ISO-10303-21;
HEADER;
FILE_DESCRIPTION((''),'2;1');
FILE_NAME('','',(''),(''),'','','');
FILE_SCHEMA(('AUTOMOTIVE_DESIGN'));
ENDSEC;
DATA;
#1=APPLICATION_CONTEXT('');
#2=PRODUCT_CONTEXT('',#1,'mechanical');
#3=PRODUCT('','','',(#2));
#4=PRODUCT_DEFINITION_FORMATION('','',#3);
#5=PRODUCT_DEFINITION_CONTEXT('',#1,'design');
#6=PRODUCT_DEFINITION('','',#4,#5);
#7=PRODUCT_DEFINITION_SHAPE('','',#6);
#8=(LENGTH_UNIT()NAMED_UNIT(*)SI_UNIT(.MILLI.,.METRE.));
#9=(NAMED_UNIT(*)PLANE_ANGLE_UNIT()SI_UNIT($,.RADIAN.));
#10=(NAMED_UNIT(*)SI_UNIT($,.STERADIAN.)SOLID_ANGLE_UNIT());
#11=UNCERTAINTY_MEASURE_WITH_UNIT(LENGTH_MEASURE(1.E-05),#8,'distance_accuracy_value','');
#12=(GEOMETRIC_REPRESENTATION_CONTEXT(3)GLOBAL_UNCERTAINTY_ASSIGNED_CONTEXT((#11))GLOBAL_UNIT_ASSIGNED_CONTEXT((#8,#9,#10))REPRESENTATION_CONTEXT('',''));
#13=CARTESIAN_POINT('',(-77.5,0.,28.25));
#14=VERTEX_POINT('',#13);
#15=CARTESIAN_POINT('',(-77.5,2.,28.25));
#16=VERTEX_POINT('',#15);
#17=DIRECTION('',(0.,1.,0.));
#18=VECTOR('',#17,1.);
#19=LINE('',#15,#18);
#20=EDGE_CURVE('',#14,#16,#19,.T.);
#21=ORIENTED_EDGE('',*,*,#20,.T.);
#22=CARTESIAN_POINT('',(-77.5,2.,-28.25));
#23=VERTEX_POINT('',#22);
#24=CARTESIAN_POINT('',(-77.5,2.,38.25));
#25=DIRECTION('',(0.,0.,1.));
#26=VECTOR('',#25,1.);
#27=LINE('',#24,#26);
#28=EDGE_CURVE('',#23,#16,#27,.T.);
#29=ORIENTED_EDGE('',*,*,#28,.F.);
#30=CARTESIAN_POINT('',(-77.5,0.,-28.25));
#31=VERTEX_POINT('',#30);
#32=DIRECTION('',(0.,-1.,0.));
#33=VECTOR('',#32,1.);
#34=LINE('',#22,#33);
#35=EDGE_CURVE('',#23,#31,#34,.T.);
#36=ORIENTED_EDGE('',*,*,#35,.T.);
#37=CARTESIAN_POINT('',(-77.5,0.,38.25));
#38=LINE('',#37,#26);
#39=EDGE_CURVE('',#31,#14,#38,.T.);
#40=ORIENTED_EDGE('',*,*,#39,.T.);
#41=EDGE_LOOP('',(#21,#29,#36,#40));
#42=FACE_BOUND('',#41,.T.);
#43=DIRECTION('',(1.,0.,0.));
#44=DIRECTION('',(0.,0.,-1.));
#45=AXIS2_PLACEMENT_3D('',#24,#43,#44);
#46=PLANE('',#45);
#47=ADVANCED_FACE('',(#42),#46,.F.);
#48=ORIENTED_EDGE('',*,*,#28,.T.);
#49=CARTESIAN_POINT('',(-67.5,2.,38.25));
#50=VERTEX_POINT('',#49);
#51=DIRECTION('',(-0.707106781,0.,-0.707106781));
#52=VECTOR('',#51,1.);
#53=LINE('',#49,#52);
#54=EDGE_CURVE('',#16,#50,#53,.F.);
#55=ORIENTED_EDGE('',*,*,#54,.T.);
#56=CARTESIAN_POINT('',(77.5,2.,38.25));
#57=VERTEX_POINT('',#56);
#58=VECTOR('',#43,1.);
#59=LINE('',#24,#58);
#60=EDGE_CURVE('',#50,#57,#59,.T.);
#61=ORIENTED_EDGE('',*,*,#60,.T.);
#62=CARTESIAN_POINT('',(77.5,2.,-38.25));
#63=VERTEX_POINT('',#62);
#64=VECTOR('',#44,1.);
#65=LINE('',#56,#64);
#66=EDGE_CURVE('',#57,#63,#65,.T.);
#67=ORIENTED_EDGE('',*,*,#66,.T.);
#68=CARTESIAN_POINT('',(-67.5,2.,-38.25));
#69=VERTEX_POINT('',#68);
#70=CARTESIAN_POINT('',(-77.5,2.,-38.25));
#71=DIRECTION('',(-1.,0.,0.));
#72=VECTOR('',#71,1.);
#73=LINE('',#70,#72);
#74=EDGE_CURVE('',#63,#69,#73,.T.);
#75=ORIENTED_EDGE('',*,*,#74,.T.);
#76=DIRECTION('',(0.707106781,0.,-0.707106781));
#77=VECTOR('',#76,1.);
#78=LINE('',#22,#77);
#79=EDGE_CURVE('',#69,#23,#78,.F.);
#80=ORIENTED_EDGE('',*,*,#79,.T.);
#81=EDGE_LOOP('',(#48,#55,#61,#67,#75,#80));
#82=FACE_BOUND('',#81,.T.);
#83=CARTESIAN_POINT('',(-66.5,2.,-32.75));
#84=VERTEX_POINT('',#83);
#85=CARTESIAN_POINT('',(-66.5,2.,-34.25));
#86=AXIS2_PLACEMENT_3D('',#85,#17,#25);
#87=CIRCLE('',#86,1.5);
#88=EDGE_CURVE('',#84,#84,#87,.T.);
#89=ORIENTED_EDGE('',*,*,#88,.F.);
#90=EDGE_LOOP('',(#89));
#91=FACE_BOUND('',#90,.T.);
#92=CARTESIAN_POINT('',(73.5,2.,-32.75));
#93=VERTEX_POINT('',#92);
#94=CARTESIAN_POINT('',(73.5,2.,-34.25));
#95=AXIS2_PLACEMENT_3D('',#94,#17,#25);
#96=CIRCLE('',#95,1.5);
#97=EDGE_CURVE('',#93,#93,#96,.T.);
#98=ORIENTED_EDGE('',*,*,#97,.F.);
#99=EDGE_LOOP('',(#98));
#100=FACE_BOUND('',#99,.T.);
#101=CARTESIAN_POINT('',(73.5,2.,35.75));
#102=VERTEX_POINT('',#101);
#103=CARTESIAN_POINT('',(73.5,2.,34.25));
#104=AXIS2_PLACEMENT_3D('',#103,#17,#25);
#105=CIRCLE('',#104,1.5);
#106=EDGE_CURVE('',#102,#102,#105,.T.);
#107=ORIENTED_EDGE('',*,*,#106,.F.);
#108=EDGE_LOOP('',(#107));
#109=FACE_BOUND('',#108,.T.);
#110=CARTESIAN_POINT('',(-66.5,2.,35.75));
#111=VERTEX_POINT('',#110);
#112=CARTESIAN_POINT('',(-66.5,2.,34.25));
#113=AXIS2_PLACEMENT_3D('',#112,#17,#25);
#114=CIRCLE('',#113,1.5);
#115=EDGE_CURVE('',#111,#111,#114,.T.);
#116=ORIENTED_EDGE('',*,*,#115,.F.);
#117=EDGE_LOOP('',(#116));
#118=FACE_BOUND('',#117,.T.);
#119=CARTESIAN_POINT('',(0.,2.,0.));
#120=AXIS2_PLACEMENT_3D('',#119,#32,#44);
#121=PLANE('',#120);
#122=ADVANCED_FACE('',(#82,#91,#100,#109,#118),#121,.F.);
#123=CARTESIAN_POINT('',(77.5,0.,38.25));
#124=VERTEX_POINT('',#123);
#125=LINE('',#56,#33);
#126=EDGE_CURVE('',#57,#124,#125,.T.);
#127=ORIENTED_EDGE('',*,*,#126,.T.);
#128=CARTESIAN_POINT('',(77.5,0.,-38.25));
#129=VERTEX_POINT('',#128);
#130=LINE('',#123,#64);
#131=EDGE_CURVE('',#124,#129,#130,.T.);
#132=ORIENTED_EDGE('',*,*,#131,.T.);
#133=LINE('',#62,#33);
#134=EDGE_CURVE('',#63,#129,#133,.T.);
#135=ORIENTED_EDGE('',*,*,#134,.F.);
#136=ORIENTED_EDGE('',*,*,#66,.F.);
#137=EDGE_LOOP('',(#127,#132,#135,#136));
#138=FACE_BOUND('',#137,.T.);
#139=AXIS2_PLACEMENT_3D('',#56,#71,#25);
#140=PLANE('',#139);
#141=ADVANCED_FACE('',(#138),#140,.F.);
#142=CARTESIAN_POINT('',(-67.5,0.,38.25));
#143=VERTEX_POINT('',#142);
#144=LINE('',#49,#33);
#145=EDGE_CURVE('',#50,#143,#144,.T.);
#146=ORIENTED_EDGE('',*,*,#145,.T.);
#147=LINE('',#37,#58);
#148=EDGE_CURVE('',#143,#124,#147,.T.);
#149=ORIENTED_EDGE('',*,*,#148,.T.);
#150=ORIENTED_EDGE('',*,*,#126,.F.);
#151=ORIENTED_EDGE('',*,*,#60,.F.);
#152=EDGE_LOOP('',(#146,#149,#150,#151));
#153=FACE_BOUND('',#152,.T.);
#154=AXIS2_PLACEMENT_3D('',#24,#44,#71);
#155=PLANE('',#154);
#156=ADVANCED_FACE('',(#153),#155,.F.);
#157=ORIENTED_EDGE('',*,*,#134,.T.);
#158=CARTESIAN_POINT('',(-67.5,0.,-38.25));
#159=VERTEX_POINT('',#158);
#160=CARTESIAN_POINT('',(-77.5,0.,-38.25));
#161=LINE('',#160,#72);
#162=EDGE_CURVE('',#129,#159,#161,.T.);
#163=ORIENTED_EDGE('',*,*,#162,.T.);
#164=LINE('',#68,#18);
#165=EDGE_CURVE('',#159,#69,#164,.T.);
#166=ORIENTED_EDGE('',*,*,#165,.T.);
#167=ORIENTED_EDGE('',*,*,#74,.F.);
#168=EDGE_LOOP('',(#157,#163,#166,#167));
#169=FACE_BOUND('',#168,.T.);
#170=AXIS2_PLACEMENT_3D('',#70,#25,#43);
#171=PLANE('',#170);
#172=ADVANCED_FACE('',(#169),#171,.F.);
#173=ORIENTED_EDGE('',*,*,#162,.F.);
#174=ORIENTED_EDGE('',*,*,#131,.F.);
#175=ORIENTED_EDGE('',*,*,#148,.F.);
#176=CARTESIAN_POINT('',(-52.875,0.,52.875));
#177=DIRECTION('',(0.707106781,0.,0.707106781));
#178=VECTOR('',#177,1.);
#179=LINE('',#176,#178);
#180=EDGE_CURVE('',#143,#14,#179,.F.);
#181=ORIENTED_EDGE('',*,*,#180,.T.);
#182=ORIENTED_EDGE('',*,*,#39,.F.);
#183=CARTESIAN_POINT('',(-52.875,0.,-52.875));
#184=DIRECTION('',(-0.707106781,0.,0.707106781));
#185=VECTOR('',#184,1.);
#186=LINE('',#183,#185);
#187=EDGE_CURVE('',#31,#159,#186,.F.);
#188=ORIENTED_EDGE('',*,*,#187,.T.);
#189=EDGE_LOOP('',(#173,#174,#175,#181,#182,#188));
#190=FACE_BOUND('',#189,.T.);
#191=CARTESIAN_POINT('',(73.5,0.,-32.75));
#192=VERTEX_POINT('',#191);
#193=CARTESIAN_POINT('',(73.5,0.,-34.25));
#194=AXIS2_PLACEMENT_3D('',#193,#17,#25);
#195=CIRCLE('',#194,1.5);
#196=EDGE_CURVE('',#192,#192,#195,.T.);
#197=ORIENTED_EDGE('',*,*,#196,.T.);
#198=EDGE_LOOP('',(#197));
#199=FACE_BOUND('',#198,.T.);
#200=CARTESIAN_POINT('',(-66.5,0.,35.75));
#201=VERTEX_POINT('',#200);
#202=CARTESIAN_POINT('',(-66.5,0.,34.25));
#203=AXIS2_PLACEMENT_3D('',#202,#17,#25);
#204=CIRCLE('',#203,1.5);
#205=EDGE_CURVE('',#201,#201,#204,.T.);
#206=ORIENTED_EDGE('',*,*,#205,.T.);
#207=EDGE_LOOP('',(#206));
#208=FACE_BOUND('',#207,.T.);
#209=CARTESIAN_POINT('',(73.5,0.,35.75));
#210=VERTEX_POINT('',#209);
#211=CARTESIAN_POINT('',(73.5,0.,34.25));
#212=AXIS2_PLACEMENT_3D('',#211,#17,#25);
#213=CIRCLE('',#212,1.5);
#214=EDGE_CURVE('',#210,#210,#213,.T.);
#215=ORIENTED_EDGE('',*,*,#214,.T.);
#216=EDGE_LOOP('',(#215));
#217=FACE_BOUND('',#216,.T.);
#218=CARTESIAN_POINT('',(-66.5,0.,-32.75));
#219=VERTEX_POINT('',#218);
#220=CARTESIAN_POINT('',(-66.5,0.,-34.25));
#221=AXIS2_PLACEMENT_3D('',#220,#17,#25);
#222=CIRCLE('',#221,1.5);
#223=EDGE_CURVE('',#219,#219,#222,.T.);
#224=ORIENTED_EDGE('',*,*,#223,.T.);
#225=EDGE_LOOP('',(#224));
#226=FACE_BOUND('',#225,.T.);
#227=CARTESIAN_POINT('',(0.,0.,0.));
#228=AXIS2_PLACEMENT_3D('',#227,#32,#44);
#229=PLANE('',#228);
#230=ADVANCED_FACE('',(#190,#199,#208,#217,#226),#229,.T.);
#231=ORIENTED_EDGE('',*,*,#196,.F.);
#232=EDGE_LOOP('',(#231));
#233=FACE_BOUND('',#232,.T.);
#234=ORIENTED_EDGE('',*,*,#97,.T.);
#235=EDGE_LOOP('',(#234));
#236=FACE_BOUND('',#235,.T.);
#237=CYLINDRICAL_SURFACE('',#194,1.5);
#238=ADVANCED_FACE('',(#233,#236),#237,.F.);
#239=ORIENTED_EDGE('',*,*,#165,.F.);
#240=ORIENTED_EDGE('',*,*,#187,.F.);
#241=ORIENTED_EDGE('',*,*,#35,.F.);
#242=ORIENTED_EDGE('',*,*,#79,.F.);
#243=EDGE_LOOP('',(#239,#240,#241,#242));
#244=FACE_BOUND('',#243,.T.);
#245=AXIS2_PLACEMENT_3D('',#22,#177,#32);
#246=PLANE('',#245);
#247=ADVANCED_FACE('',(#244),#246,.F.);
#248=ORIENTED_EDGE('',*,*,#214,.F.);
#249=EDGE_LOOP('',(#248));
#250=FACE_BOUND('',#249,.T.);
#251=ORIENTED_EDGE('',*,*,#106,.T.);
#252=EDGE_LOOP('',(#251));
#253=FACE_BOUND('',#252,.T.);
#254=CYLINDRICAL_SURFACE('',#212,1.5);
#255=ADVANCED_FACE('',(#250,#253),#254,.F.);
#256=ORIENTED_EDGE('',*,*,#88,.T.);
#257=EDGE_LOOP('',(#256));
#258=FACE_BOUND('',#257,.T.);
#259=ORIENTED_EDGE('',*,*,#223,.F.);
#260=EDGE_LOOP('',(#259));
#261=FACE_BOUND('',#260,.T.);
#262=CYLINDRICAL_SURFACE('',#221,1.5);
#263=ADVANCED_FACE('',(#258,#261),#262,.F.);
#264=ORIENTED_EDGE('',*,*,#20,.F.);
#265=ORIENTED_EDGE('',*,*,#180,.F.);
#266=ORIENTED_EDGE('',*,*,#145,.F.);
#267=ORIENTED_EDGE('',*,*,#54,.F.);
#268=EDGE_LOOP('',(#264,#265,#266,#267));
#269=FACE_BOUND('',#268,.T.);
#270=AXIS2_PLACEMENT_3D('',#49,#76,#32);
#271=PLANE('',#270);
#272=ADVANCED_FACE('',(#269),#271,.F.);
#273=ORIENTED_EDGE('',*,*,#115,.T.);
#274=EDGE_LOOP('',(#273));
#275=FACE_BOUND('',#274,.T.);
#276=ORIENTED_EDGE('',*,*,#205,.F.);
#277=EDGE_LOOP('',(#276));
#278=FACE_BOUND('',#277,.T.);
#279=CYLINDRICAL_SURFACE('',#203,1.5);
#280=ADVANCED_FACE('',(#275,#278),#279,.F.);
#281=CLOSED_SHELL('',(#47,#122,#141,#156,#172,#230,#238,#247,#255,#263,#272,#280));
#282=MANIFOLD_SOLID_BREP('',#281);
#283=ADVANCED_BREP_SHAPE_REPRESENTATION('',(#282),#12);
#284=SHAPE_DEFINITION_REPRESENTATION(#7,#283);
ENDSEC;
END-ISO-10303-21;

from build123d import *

# Parameters (mm, degrees)
SKETCH1_W           = 155
SKETCH1_H           = 76.5
BOSS_EXTRUDE1_DEPTH = 2
SKETCH2_R           = 1.5
CUT_EXTRUDE1_DEPTH  = 87.448322714
CHAMFER1_SIZE       = 10


with BuildPart() as part:
    # Sketch1 → Boss-Extrude1 (new body)
    with BuildSketch(Plane(origin=(0, 0, 0), x_dir=(1, 0, 0), z_dir=(0, 1, 0))):
        Rectangle(SKETCH1_W, SKETCH1_H)
    extrude(amount=BOSS_EXTRUDE1_DEPTH)

    # Sketch2 → Cut-Extrude1 (cut, through all)
    with BuildSketch(Plane(origin=(0, 2, 0), x_dir=(1, 0, 0), z_dir=(0, 1, 0))):
        with Locations(Location((73.5, 34.25, 0), (0, 0, 270))):
            Circle(SKETCH2_R)
        with Locations(Location((73.5, -34.25, 0), (0, 0, 270))):
            Circle(SKETCH2_R)
        with Locations(Location((-66.5, -34.25, 0), (0, 0, 270))):
            Circle(SKETCH2_R)
        with Locations(Location((-66.5, 34.25, 0), (0, 0, 270))):
            Circle(SKETCH2_R)
    extrude(amount=-CUT_EXTRUDE1_DEPTH, mode=Mode.SUBTRACT)

    # Chamfer1
    chamfer1_edges = [part.edges().sort_by_distance(p)[0] for p in [
        (-77.5, 1, 38.25),
        (-77.5, 1, -38.25),
    ]]
    chamfer(chamfer1_edges, length=CHAMFER1_SIZE)


solid = part.part
